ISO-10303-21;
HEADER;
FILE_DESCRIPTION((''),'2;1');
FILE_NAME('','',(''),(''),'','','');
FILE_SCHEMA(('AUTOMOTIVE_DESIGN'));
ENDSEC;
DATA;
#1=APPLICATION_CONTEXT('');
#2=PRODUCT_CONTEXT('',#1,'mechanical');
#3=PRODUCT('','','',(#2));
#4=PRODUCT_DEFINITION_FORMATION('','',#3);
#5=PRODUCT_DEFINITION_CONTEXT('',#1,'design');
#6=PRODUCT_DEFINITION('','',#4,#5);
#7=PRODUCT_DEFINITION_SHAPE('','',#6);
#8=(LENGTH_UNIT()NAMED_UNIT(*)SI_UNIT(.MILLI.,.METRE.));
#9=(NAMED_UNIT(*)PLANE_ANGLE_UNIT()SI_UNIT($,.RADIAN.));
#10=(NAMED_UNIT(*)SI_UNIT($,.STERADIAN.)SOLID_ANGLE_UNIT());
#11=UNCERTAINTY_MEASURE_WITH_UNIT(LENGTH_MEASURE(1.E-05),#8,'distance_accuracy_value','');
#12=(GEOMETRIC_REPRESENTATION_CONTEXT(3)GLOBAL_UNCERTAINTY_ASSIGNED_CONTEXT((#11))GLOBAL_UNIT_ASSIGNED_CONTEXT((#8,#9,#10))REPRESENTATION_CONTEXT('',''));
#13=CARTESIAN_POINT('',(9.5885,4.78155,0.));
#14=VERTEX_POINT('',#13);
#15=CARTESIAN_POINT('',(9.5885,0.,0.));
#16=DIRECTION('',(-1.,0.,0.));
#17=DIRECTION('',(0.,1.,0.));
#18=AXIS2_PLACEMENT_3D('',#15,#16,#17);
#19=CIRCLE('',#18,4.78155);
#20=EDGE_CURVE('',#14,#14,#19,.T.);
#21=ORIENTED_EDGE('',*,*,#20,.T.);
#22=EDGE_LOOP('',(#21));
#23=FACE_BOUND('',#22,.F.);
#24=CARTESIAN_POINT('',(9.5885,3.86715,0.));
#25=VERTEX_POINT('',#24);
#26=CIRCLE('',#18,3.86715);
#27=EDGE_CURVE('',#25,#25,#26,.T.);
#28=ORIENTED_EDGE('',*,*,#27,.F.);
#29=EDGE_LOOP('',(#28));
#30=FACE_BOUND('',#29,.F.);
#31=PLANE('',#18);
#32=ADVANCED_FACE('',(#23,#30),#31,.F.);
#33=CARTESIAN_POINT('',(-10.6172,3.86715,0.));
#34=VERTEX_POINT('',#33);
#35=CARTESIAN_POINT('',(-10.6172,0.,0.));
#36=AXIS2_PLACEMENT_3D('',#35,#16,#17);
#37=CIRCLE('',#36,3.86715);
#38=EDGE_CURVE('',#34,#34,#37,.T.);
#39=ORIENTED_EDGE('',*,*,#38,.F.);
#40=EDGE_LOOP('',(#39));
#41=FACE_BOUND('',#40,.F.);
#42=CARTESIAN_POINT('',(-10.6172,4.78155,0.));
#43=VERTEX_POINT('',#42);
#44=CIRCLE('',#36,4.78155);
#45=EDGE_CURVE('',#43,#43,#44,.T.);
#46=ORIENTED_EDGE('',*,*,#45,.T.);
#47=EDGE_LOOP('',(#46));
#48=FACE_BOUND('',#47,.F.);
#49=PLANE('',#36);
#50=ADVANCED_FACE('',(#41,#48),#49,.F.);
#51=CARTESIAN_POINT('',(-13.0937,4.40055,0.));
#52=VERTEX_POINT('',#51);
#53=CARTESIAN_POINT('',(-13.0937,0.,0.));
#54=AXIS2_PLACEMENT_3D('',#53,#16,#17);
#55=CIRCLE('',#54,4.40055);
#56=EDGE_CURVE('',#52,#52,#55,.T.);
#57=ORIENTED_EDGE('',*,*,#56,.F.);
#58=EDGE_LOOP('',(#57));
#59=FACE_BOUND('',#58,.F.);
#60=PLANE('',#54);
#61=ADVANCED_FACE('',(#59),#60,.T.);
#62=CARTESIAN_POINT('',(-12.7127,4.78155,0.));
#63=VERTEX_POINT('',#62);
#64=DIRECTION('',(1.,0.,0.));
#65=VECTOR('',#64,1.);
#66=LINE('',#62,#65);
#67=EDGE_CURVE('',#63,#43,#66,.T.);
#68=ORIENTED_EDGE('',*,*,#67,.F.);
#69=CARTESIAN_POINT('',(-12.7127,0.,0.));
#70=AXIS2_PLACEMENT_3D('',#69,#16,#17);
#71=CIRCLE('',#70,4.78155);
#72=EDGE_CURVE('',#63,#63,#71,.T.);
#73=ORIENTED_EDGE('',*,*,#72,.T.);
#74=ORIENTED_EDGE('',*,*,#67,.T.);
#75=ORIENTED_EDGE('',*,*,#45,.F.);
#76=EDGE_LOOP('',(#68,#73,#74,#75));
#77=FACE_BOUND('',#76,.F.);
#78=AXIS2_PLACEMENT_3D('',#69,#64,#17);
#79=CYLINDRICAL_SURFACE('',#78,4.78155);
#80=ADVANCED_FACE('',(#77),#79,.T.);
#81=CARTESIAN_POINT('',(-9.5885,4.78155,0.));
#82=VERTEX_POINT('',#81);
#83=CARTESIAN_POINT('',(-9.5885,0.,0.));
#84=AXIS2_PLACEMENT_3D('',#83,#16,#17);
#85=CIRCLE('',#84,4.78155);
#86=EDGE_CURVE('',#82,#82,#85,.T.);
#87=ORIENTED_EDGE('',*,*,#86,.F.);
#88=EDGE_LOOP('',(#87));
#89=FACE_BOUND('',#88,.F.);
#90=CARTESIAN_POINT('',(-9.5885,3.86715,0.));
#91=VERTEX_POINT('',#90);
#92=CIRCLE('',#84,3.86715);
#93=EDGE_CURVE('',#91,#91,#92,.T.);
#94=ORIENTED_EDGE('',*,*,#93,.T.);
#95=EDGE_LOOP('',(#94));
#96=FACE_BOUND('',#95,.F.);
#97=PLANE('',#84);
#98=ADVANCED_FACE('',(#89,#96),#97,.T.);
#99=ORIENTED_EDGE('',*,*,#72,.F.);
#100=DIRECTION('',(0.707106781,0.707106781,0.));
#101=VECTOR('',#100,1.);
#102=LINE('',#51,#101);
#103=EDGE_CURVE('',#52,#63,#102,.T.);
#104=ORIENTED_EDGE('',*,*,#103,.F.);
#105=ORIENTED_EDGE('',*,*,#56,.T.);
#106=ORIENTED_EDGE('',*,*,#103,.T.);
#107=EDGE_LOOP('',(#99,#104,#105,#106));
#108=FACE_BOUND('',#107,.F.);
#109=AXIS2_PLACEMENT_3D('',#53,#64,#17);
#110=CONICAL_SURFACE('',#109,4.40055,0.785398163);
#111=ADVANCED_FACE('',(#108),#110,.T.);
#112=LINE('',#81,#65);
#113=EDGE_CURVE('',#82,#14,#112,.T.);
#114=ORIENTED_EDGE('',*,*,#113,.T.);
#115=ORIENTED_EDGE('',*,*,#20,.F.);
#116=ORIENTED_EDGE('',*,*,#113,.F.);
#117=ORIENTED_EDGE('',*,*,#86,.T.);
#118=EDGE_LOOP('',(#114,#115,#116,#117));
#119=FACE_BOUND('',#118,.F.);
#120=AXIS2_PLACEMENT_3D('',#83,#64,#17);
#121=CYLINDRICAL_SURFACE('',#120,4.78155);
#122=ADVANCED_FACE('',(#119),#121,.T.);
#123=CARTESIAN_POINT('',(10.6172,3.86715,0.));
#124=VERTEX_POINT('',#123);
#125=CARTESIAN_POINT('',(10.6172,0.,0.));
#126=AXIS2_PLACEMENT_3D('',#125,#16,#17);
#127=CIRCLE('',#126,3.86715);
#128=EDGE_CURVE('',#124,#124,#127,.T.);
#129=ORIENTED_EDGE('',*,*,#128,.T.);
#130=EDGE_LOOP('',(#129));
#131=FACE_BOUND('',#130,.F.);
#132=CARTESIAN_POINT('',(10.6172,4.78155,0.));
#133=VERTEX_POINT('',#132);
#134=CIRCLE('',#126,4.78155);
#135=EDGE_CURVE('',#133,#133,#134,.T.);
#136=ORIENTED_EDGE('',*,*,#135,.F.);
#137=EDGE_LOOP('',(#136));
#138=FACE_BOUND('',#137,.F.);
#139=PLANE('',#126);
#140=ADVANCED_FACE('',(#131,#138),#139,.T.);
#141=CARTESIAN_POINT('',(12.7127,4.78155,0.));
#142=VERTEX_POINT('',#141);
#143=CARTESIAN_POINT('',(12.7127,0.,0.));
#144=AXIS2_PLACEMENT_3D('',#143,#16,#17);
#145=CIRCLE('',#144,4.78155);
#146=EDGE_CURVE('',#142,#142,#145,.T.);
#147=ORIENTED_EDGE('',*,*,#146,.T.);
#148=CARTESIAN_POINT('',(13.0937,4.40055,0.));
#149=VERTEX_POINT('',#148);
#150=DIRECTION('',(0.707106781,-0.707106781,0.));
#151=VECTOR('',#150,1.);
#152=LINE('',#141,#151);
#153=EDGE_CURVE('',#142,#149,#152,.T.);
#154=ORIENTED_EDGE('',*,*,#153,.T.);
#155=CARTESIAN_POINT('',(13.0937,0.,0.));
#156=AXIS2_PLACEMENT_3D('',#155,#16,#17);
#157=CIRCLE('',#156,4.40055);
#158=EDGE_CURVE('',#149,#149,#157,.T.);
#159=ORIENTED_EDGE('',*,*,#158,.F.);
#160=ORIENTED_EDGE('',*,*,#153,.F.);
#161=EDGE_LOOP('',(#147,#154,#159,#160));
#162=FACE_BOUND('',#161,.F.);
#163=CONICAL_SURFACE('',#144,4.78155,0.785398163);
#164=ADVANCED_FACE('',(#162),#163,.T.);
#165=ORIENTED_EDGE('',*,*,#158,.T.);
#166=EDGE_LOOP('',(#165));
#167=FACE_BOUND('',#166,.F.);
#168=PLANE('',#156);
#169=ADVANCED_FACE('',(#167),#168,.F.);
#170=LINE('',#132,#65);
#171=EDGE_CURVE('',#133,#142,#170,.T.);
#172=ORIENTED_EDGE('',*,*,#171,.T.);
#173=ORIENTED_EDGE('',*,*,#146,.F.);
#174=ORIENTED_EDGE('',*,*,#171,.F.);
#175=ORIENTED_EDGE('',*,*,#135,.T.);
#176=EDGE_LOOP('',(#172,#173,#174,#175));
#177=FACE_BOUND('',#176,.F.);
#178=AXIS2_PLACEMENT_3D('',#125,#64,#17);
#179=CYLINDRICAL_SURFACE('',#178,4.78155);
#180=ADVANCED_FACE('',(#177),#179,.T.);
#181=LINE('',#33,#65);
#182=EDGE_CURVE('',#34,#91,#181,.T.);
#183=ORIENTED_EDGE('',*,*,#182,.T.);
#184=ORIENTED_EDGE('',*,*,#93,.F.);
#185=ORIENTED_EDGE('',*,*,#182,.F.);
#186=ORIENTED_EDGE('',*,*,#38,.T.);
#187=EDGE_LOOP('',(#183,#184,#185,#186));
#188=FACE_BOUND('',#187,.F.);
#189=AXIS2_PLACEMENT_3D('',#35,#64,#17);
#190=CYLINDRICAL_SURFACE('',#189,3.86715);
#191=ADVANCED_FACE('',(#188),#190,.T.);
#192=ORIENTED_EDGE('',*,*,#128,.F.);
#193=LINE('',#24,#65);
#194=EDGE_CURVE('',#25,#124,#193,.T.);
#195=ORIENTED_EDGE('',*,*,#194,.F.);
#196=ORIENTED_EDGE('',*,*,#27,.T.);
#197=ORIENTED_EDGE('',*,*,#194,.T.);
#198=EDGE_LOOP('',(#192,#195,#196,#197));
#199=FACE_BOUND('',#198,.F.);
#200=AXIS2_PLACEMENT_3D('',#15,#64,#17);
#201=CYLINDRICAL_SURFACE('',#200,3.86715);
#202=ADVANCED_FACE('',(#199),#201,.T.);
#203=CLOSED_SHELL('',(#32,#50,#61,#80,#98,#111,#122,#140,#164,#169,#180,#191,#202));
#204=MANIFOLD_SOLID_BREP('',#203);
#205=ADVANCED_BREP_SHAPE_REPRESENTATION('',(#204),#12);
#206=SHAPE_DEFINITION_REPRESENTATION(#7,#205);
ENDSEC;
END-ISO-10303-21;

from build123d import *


with BuildPart() as part:
    # Sketch1 → Revolve1 (revolve)
    with BuildSketch(Plane.XY):
        Polygon((-13.0937, 0), (-13.0937, 4.40055), (-12.7127, 4.78155), (-10.6172, 4.78155), (-10.6172, 3.86715), (-9.5885, 3.86715), (-9.5885, 4.78155), (9.5885, 4.78155), (9.5885, 3.86715), (10.6172, 3.86715), (10.6172, 4.78155), (12.7127, 4.78155), (13.0937, 4.40055), (13.0937, 0), align=None)
    revolve(axis=Axis((13.0937, 0, 0), (-1, 0, 0)))


solid = part.part
